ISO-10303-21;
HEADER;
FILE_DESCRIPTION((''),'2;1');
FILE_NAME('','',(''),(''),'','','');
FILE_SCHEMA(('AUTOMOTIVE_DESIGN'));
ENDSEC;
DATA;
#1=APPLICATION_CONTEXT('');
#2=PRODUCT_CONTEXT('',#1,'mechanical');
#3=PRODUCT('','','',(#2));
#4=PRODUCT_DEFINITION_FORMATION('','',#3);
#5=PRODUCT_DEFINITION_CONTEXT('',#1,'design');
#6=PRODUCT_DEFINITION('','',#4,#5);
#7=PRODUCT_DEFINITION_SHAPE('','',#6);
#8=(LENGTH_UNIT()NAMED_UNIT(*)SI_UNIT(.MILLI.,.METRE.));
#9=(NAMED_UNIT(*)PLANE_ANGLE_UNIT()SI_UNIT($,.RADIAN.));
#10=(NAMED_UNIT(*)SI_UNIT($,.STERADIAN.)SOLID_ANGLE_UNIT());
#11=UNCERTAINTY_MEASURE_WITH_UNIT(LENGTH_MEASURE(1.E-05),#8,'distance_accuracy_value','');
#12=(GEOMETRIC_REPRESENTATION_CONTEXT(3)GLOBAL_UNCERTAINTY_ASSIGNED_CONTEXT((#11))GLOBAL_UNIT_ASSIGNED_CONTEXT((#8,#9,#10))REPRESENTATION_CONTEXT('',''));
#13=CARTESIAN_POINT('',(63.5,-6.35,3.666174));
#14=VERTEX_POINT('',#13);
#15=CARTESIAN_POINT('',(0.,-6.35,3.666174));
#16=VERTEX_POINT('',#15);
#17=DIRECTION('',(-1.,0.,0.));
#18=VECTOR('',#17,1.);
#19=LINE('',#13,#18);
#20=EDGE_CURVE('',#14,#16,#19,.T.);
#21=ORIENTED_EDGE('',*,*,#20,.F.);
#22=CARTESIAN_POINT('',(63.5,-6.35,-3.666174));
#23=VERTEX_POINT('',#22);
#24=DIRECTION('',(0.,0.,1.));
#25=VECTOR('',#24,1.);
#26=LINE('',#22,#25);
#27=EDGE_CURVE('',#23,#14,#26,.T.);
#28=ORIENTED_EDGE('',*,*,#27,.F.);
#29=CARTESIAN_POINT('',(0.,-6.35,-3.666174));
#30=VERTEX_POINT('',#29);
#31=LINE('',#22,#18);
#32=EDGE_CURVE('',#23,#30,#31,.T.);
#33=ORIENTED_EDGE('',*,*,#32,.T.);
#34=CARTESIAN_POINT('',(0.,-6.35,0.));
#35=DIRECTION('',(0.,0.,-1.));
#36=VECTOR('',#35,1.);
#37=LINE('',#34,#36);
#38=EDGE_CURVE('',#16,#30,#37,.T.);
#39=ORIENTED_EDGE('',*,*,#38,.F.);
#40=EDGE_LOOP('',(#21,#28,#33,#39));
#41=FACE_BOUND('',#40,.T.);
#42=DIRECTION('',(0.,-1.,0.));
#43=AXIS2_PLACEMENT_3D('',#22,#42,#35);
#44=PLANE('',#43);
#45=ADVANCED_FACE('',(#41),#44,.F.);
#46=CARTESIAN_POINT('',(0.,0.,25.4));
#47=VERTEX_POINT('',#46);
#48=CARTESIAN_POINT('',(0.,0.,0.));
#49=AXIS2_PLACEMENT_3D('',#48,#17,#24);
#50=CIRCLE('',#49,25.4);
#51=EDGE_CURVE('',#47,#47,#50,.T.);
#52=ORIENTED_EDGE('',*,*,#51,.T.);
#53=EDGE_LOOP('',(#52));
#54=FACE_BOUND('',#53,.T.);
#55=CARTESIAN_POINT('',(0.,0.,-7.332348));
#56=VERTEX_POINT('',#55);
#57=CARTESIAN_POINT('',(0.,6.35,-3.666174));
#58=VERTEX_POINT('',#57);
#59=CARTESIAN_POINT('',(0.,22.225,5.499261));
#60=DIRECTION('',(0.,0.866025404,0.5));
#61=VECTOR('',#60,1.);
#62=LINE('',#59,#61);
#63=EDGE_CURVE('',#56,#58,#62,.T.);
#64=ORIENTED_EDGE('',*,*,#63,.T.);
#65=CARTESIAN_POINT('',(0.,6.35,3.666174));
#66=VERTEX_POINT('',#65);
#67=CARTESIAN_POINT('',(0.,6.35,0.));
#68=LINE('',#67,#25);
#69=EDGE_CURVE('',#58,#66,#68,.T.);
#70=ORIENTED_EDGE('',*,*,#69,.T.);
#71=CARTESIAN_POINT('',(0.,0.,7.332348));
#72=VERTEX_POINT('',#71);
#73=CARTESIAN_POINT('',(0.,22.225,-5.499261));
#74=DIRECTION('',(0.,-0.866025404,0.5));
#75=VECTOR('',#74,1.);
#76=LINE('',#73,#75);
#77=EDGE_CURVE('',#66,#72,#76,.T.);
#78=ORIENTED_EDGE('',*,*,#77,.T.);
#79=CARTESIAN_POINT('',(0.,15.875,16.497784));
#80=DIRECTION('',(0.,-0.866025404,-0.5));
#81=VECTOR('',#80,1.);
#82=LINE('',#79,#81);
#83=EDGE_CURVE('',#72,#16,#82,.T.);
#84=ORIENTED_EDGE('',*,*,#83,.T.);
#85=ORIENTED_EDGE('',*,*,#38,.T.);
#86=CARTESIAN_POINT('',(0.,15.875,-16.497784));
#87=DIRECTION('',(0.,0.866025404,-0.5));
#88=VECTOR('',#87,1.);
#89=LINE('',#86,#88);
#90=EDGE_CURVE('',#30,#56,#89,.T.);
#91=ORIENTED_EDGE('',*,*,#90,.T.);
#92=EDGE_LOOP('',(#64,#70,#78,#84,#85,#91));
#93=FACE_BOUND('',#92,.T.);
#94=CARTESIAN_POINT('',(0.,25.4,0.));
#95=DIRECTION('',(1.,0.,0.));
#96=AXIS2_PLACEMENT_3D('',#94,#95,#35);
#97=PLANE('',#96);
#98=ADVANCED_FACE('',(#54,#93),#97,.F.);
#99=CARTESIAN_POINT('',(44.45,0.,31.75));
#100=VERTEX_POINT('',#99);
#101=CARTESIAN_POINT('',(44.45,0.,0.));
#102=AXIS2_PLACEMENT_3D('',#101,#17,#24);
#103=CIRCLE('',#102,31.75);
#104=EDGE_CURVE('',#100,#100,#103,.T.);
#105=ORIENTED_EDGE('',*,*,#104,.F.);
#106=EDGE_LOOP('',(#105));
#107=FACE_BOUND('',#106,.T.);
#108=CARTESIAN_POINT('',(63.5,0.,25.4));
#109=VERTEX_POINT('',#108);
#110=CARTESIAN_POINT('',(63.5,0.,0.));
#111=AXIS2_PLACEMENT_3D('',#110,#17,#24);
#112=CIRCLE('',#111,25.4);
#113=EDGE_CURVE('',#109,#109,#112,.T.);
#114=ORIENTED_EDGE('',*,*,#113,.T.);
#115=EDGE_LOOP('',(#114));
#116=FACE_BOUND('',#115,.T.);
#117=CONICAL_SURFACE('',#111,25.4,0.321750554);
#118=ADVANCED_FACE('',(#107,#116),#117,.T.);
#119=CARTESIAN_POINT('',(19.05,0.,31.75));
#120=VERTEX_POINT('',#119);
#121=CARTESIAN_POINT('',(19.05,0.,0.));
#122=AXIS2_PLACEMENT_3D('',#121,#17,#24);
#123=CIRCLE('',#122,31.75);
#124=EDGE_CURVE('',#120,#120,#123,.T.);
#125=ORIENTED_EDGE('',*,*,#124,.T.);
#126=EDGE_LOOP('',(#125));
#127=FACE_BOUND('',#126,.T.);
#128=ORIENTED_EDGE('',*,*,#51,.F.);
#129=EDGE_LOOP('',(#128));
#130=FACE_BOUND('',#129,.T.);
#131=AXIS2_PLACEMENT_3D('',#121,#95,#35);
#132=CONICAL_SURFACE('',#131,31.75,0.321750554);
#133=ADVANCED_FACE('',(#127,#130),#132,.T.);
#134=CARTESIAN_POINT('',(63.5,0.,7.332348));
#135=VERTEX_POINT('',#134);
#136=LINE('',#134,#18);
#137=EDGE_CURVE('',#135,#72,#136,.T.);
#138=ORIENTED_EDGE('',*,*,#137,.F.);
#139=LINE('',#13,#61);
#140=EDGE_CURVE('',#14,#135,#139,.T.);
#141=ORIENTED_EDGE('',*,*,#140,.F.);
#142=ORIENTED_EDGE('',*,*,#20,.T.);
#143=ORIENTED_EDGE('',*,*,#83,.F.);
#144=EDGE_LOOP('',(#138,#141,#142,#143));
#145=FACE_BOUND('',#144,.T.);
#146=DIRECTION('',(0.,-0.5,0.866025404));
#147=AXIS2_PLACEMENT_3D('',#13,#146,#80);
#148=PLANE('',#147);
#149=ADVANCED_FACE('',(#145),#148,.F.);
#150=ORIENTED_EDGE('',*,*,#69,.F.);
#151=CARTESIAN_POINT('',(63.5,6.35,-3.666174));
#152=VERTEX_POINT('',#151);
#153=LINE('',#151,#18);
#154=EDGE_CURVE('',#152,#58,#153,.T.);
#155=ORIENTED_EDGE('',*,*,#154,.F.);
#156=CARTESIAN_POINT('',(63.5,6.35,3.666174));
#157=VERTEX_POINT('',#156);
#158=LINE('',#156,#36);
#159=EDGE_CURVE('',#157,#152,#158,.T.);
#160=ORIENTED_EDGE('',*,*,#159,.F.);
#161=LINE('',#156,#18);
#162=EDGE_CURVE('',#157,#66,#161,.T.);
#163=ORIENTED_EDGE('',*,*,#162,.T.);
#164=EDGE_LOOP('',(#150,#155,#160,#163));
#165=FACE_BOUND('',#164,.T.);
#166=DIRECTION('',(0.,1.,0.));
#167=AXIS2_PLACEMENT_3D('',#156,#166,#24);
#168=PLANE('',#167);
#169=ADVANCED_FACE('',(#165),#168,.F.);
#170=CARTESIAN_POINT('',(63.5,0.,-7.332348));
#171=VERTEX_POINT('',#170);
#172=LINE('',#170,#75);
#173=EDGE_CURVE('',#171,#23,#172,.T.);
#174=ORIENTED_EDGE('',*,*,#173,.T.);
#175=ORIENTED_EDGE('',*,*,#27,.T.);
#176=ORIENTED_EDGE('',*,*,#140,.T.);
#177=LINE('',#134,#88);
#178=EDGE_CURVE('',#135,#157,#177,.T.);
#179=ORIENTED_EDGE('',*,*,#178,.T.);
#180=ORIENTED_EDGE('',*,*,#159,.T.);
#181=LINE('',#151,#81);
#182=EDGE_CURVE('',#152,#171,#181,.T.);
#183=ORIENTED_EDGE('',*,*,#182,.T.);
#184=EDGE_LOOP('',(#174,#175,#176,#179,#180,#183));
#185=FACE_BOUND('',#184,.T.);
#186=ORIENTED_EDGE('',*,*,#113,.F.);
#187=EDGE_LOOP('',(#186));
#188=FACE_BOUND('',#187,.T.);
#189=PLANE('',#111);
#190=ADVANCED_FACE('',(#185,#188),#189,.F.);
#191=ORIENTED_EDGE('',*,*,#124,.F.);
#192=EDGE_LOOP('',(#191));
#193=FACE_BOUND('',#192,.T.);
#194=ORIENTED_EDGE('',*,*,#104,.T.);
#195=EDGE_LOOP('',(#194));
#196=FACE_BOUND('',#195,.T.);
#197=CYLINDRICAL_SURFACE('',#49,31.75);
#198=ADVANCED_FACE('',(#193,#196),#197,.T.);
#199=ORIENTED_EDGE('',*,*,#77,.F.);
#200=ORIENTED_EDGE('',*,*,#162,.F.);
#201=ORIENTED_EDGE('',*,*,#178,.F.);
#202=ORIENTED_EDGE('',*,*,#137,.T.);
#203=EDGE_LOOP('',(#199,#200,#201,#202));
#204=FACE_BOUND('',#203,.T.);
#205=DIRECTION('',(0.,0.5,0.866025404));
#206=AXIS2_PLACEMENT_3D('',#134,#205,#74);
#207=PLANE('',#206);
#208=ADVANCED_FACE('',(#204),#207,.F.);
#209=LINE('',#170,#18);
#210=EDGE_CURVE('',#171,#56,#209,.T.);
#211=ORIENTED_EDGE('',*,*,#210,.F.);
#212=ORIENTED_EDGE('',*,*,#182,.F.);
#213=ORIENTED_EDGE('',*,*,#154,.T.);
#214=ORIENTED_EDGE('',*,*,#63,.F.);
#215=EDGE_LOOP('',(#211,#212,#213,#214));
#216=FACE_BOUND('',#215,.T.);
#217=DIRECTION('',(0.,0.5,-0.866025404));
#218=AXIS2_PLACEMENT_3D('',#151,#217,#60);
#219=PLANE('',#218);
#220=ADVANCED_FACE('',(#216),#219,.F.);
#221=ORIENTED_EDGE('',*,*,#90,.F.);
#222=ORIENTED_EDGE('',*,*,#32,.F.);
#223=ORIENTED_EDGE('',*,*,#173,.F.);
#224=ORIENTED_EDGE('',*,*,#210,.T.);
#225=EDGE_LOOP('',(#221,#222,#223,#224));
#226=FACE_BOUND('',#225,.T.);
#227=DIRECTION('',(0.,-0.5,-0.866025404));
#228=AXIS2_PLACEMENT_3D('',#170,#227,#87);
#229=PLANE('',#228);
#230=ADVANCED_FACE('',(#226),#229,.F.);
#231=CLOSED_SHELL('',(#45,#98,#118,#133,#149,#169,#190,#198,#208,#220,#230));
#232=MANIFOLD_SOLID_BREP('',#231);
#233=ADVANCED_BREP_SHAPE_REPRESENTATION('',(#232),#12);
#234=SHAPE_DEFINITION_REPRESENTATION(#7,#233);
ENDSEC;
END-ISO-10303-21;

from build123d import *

# Parameters (mm, degrees)
CUT_EXTRUDE1_DEPTH      = 78.771299333
CUT_EXTRUDE1_DEPTH_BACK = 78.771299333


with BuildPart() as part:
    # Sketch1 → Revolve1 (revolve)
    with BuildSketch(Plane.XY, mode=Mode.PRIVATE) as revolve1_sk:
        Polygon((0, 0), (63.5, 0), (63.5, 25.4), (44.45, 31.75), (19.05, 31.75), (0, 25.4), align=None)
    revolve(revolve1_sk.sketch.rotate(Axis((0, 0, 0), (1, 0, 0)), 90), axis=Axis((0, 0, 0), (1, 0, 0)))

    # Sketch2 → Cut-Extrude1 (cut, two sides: drawn at the far end of the back side and taken through both)
    with BuildSketch(Plane.ZY.offset(-CUT_EXTRUDE1_DEPTH_BACK)):
        Polygon((-3.666174209, 6.35), (-7.332348419, 0), (-3.666174209, -6.35), (3.666174209, -6.35), (7.332348419, 0), (3.666174209, 6.35), align=None)
    extrude(amount=CUT_EXTRUDE1_DEPTH + CUT_EXTRUDE1_DEPTH_BACK, mode=Mode.SUBTRACT)


solid = part.part
